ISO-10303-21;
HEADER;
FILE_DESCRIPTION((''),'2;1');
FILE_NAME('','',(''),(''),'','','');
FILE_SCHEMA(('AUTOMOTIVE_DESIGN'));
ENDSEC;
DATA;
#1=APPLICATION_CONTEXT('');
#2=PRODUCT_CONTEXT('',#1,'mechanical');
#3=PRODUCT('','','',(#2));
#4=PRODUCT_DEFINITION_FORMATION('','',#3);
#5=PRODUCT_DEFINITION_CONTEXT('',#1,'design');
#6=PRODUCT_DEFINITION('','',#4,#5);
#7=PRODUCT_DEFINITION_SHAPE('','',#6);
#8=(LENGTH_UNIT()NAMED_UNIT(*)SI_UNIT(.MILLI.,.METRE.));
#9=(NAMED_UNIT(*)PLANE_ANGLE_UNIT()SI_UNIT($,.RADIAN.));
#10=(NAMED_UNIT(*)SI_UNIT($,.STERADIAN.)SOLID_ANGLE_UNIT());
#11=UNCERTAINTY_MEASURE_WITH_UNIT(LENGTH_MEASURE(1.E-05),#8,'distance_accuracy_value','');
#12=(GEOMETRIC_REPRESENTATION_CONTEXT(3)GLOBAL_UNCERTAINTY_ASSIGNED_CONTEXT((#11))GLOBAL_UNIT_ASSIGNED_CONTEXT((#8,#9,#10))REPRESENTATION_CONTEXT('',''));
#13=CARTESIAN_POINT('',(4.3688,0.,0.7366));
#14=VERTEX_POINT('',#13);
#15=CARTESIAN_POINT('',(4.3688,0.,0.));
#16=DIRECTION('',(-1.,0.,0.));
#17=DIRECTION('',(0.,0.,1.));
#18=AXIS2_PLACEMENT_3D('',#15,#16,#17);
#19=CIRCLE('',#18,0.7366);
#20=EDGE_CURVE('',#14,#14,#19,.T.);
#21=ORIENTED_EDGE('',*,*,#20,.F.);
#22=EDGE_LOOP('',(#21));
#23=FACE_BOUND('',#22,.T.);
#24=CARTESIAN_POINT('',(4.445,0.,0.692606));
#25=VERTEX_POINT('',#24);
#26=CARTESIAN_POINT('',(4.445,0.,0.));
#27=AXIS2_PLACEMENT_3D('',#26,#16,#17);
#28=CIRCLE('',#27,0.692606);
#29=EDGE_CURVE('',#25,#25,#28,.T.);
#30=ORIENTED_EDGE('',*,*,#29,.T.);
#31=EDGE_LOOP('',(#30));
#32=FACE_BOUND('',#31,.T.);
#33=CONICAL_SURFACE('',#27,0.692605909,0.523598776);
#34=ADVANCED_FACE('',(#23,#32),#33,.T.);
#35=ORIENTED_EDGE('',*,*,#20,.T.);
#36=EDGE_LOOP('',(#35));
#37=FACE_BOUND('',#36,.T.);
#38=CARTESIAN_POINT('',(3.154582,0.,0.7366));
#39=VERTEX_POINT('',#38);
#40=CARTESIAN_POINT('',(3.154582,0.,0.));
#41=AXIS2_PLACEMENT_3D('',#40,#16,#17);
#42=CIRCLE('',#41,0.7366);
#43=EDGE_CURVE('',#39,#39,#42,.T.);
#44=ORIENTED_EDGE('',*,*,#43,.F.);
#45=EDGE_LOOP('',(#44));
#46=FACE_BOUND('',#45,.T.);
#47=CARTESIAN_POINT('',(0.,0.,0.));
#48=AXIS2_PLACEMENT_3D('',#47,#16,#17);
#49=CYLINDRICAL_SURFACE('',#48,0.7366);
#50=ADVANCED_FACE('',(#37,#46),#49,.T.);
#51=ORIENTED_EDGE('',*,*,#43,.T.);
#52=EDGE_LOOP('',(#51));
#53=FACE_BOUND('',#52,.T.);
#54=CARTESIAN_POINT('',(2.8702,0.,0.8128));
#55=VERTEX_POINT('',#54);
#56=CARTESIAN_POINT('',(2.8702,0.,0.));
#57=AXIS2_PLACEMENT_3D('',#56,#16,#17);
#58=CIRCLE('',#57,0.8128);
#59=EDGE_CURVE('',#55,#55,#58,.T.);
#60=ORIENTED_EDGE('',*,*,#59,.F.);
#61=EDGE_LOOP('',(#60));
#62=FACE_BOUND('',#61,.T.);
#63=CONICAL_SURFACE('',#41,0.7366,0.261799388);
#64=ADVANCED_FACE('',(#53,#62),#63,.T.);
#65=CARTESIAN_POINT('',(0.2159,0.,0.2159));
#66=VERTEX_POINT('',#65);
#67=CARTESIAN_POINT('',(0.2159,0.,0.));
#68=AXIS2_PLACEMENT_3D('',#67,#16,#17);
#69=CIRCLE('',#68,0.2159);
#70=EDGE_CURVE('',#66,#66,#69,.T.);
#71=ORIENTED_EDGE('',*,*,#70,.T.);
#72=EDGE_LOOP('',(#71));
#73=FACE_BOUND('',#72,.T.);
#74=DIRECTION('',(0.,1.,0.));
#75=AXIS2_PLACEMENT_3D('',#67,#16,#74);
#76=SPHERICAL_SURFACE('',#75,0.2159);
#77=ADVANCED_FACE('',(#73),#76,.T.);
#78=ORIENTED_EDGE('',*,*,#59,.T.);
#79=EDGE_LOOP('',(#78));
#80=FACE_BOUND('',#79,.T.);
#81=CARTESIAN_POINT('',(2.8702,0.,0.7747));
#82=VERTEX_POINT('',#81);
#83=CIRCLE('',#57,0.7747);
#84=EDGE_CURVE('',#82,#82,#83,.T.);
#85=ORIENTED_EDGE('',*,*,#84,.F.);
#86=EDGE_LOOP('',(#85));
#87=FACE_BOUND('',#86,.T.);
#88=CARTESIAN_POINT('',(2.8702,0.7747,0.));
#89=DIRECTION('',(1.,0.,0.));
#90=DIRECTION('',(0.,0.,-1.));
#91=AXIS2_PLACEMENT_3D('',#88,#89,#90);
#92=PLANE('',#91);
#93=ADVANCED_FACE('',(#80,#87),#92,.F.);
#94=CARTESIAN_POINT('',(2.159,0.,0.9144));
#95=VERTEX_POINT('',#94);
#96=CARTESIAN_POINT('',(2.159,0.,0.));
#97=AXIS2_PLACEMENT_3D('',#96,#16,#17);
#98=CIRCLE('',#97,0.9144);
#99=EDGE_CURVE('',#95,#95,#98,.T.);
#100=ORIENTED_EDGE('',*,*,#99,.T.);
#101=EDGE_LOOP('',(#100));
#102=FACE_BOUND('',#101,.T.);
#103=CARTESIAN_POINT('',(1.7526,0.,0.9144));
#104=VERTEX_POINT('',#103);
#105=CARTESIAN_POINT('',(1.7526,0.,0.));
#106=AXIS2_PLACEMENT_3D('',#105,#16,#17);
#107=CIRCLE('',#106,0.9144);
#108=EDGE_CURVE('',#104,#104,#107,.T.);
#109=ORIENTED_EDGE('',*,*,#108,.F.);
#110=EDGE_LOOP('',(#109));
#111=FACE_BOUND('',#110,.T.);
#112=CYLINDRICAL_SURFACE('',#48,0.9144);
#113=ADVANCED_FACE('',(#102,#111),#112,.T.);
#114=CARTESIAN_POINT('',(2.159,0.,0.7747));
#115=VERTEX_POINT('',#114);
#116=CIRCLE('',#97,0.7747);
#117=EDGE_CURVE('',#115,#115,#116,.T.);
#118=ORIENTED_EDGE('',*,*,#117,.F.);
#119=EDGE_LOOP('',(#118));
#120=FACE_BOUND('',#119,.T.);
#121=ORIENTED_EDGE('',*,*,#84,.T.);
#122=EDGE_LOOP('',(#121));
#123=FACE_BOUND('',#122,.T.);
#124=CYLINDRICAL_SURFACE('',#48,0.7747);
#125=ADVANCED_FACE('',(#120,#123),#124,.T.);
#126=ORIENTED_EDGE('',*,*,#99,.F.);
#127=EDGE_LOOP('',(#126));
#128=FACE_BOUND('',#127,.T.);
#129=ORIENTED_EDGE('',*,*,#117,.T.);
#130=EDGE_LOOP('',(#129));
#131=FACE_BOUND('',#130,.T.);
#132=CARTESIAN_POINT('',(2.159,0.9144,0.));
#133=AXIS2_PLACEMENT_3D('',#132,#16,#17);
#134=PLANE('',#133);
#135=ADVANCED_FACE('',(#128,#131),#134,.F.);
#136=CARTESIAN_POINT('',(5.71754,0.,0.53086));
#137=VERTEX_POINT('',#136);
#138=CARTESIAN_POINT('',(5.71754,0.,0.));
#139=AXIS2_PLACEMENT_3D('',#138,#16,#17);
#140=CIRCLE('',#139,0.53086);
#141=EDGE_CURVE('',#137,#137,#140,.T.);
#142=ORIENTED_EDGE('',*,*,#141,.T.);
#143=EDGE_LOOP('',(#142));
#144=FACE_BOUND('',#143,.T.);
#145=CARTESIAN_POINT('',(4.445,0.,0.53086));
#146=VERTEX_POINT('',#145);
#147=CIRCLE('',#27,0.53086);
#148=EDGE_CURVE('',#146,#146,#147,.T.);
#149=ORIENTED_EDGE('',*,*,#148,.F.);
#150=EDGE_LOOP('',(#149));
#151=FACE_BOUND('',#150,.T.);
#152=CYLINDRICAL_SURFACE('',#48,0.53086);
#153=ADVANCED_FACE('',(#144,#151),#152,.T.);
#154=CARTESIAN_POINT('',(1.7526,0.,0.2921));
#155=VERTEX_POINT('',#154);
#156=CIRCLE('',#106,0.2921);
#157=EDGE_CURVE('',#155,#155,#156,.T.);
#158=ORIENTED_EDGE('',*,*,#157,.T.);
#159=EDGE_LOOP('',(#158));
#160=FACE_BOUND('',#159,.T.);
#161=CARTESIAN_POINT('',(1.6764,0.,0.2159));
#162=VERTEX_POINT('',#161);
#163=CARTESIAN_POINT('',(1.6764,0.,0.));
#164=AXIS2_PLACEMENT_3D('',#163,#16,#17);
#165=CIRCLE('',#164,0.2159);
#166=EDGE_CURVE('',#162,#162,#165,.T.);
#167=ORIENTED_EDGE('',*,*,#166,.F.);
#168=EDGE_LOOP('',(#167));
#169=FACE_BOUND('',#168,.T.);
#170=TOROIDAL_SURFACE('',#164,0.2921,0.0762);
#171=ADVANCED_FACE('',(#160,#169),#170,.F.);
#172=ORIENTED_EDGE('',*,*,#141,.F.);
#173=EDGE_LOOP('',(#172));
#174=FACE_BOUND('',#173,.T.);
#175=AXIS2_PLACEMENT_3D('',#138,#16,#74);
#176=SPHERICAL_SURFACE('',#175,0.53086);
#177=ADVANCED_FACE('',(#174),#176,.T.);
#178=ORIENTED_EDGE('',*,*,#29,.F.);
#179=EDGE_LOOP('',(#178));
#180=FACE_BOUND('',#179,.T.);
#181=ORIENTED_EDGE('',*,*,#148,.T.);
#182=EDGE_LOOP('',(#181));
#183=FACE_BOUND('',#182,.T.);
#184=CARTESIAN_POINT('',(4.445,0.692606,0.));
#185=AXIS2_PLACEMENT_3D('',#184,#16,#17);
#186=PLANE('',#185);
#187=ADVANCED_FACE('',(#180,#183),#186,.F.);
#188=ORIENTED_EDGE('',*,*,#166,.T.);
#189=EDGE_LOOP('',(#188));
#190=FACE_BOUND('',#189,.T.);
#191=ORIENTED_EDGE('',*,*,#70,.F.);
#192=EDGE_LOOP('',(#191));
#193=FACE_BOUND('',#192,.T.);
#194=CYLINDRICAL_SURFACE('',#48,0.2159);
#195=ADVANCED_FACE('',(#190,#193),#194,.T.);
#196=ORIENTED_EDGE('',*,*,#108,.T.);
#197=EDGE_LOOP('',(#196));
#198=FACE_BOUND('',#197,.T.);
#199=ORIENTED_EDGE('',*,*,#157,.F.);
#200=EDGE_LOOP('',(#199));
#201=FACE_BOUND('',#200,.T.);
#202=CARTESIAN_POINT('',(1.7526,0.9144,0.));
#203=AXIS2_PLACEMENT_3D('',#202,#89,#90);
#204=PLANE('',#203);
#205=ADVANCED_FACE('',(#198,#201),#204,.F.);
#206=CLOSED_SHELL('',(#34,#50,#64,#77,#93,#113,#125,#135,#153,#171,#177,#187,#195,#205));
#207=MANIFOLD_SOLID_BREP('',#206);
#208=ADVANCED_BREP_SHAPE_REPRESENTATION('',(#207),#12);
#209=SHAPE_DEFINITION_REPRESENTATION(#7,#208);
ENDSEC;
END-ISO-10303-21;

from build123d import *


with BuildPart() as part:
    # Sketch1 → Revolve1 (revolve)
    with BuildSketch(Plane.XY, mode=Mode.PRIVATE) as revolve1_sk:
        with BuildLine():
            Line((0, 0), (6.2484, 0))
            ThreePointArc((6.2484, 0), (6.092914706, 0.375374706), (5.71754, 0.53086))
            Line((5.71754, 0.53086), (4.445, 0.53086))
            Line((4.445, 0.53086), (4.445, 0.692605909))
            Line((4.445, 0.692605909), (4.3688, 0.7366))
            Line((4.3688, 0.7366), (3.154582272, 0.7366))
            Line((3.154582272, 0.7366), (2.8702, 0.8128))
            Line((2.8702, 0.8128), (2.8702, 0.7747))
            Line((2.8702, 0.7747), (2.159, 0.7747))
            Line((2.159, 0.7747), (2.159, 0.9144))
            Line((2.159, 0.9144), (1.7526, 0.9144))
            Line((1.7526, 0.9144), (1.7526, 0.2921))
            ThreePointArc((1.7526, 0.2921), (1.730281537, 0.238218463), (1.6764, 0.2159))
            Line((1.6764, 0.2159), (0.2159, 0.2159))
            ThreePointArc((0.2159, 0.2159), (0.063235646, 0.152664354), (0, 0))
        make_face()
    revolve(revolve1_sk.sketch.rotate(Axis((0, 0, 0), (1, 0, 0)), 90), axis=Axis((0, 0, 0), (1, 0, 0)))


solid = part.part
